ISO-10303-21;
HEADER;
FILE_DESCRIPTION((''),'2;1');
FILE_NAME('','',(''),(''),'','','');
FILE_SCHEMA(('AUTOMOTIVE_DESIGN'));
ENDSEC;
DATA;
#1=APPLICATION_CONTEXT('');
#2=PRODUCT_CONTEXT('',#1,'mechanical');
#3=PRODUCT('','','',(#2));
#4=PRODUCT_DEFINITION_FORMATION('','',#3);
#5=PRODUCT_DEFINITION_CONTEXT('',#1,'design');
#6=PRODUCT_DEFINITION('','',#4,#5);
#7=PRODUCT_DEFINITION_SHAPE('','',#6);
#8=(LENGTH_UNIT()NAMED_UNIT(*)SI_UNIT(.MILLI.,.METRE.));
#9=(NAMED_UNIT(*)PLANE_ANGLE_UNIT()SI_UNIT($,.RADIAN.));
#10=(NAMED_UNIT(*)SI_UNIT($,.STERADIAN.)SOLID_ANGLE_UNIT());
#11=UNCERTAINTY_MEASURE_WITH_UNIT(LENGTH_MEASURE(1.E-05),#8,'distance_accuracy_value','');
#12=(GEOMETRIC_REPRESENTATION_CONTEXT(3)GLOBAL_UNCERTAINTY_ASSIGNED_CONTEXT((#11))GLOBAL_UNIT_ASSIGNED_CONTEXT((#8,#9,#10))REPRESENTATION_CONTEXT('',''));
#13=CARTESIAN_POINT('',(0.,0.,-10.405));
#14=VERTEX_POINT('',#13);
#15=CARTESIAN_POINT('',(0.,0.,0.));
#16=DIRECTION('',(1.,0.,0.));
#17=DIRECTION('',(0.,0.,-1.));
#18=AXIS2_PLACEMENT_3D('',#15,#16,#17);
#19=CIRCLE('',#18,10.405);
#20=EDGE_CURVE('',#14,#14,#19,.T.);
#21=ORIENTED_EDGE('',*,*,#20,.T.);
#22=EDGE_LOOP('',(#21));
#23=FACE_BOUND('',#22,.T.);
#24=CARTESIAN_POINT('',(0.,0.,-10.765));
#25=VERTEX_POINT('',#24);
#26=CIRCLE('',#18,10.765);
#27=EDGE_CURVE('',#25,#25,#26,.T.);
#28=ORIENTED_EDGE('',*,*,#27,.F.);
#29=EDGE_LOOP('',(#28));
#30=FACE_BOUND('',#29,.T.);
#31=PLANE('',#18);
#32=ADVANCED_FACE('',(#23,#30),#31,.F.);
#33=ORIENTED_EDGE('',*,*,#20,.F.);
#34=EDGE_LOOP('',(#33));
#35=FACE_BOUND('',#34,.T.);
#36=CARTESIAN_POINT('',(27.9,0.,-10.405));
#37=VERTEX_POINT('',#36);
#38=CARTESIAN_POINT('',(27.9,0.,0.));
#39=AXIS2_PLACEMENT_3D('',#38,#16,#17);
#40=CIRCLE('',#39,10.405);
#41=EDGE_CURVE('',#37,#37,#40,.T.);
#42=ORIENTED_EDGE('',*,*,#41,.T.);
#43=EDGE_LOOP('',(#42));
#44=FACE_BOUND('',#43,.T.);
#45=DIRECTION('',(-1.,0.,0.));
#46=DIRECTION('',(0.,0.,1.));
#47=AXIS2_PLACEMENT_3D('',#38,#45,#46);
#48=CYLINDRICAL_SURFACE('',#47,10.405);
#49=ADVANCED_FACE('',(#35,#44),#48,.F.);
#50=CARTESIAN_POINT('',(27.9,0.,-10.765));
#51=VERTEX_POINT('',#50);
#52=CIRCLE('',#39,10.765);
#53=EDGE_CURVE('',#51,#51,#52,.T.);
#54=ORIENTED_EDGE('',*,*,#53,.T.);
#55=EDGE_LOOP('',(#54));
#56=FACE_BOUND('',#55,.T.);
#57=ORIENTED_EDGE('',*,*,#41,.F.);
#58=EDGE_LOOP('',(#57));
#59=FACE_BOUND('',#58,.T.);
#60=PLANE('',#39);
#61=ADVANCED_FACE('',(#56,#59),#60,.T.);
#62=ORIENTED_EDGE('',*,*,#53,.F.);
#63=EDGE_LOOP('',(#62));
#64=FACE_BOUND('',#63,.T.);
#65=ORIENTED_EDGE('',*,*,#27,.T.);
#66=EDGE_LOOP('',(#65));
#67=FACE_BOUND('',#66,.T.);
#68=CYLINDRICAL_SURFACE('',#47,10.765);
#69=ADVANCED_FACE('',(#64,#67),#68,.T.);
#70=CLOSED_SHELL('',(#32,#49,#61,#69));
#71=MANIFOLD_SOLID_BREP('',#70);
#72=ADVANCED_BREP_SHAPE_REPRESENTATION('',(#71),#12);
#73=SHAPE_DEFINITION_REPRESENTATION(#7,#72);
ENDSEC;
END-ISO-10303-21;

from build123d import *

# Parameters (mm, degrees)
ESBO_O1_R                = 10.765
ESBO_O1_R_2              = 10.405
RESSALTO_EXTRUS_O3_DEPTH = 27.9


with BuildPart() as part:
    # Esboço1 → Ressalto-extrusão3 (new body)
    with BuildSketch(Plane(origin=(0, 0, 0), x_dir=(0, 0, -1), z_dir=(1, 0, 0))):
        Circle(ESBO_O1_R)
        Circle(ESBO_O1_R_2, mode=Mode.SUBTRACT)
    extrude(amount=RESSALTO_EXTRUS_O3_DEPTH)


solid = part.part
